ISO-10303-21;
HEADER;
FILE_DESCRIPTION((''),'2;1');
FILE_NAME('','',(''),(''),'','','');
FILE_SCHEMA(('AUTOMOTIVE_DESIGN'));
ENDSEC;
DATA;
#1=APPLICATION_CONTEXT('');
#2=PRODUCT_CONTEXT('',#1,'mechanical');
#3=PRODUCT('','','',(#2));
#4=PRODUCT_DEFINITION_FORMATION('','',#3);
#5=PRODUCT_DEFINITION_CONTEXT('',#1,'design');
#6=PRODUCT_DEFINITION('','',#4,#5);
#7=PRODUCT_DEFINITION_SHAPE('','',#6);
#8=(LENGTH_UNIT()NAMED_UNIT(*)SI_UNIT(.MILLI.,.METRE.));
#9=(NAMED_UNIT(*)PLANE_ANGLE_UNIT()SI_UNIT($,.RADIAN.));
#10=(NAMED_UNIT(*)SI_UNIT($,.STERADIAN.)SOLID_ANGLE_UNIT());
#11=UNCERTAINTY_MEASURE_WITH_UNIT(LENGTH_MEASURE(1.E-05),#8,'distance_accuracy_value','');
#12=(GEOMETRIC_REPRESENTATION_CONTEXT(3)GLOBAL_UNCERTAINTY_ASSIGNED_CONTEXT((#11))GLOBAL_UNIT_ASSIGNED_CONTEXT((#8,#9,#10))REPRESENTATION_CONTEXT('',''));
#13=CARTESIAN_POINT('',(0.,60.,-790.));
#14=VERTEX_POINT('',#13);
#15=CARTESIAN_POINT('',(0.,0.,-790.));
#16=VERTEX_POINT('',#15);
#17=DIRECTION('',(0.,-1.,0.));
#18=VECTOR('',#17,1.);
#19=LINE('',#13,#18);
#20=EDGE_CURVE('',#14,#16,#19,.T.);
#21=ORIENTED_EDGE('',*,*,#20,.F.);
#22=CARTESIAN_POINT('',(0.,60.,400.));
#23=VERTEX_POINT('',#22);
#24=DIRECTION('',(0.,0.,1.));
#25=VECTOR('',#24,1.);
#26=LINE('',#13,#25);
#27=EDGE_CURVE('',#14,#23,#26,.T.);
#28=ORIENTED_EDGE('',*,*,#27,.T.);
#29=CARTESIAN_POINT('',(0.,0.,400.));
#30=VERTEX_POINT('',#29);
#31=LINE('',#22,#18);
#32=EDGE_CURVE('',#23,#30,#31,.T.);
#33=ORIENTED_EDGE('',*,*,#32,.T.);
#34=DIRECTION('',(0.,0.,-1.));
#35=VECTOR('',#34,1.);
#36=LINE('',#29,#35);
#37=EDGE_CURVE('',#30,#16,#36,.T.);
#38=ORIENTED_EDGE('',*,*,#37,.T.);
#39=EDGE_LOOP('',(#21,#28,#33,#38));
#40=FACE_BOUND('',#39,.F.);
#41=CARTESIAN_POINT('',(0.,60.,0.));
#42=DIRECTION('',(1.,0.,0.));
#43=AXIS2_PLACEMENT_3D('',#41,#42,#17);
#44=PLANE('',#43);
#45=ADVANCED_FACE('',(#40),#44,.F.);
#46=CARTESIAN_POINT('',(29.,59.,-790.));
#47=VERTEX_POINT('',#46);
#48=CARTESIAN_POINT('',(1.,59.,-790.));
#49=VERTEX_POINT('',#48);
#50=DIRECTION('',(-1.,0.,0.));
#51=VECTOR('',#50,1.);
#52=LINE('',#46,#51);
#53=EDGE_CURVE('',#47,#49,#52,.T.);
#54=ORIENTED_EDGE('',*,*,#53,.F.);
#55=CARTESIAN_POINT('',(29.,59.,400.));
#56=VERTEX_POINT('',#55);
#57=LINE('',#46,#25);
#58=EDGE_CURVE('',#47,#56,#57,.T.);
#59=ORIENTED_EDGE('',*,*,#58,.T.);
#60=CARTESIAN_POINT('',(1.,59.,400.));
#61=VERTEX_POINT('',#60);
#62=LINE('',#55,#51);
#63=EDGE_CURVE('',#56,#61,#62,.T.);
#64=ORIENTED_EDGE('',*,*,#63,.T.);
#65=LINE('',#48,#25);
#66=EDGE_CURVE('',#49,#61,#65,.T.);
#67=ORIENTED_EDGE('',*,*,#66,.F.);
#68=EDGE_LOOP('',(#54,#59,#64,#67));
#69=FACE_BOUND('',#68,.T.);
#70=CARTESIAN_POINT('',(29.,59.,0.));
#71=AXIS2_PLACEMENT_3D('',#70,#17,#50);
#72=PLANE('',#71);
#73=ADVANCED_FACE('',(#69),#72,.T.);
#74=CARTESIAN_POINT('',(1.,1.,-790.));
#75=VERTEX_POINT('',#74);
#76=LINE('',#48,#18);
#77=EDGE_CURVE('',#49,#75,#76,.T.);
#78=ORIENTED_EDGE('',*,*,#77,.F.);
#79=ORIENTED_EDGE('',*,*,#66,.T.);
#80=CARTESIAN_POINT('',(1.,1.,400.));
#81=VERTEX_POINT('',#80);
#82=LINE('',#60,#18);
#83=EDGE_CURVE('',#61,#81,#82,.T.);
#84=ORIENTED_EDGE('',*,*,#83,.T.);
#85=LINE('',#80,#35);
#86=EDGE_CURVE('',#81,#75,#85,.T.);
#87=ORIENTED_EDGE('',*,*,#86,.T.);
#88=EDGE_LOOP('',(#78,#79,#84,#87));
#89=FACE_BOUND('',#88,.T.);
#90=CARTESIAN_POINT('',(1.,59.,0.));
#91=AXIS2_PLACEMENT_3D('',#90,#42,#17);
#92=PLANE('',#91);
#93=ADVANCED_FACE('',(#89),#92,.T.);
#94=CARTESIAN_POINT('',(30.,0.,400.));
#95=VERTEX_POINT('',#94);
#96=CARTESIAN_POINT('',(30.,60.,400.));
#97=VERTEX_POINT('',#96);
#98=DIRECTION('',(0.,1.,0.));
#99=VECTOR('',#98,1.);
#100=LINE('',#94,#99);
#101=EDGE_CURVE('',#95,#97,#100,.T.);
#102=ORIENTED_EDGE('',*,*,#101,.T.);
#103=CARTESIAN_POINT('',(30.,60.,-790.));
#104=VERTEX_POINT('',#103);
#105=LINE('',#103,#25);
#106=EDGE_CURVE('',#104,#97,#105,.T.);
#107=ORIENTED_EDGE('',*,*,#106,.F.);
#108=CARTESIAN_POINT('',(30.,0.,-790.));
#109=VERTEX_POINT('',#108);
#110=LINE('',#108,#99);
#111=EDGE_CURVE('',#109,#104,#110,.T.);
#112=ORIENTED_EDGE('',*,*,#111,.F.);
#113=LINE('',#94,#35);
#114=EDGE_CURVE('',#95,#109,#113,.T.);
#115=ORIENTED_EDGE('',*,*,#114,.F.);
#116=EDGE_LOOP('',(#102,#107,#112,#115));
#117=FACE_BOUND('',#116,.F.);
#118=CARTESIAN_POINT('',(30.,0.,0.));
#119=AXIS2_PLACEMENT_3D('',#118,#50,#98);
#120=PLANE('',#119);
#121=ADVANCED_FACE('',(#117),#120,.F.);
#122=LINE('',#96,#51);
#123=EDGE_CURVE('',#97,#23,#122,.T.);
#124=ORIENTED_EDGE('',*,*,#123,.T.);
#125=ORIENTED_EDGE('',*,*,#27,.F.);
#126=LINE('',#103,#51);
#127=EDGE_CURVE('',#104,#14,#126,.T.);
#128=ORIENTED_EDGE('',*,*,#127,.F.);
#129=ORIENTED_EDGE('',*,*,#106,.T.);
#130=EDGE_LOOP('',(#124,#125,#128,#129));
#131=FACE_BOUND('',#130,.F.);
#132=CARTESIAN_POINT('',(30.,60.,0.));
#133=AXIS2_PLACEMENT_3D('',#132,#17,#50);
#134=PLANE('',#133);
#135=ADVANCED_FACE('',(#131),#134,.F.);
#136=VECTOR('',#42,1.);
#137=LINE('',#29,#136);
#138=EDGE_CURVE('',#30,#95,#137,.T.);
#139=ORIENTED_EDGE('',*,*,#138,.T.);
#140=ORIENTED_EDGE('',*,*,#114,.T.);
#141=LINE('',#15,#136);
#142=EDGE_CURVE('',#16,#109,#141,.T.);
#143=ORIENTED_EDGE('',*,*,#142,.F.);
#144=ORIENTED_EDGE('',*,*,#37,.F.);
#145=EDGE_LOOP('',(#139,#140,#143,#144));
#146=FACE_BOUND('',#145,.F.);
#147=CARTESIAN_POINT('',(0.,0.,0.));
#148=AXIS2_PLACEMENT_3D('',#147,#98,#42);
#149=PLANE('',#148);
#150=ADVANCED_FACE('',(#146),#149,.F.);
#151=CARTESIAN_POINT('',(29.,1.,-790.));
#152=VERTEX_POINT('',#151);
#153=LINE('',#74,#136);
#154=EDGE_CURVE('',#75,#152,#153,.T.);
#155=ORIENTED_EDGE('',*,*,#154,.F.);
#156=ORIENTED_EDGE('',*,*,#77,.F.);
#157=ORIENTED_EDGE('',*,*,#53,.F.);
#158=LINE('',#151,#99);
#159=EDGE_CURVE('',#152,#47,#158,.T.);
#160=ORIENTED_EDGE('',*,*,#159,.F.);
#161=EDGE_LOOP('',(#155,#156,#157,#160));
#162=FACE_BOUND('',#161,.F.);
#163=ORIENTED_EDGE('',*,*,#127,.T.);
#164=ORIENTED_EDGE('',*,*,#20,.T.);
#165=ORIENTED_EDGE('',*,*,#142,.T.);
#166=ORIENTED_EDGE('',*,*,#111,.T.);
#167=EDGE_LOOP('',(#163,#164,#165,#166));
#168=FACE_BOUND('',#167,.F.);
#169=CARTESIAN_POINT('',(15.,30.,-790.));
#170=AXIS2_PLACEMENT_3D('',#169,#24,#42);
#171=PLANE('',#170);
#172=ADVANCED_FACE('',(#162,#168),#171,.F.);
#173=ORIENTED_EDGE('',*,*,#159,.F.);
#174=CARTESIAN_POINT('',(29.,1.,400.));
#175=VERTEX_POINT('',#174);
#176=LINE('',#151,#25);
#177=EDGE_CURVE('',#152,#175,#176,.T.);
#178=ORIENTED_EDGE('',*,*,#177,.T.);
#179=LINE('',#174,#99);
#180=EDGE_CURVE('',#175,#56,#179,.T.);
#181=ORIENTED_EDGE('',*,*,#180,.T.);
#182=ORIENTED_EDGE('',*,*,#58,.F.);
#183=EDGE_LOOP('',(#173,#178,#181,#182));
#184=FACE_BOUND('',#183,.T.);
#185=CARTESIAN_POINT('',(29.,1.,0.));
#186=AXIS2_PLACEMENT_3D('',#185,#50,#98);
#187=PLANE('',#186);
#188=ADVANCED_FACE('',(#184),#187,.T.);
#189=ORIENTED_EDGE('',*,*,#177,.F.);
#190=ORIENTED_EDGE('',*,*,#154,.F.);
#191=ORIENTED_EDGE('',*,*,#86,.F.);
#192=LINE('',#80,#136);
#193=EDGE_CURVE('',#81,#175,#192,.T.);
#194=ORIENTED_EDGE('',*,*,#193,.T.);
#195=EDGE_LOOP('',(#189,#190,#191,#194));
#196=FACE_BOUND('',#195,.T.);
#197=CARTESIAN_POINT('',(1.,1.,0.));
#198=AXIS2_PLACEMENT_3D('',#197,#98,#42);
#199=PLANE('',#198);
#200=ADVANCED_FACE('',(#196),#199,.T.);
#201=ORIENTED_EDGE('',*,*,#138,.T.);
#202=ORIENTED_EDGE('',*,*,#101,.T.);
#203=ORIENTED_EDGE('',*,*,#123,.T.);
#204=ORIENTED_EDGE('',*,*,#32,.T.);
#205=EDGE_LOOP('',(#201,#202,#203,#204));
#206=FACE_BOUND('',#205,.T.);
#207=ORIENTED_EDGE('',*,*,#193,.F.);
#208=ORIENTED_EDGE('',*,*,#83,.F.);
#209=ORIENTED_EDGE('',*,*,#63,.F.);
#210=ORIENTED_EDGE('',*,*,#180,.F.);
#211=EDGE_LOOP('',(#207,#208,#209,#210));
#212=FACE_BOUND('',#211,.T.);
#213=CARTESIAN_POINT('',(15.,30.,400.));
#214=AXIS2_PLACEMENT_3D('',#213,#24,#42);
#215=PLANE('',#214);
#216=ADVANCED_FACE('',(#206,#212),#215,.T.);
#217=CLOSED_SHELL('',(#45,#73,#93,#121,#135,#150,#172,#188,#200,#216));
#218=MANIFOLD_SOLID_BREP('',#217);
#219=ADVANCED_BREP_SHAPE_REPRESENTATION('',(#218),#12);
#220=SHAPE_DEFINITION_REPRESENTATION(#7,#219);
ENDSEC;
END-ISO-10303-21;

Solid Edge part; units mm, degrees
sketch "Sketch1" plane through (0, 0, 0) normal (0, 0, 1) x (1, 0, 0)
  line L0 (29, 1) -> (29, 59)
  line L1 (29, 59) -> (1, 59)
  line L2 (1, 59) -> (1, 1)
  line L3 (1, 1) -> (29, 1)
  line L4 (30, 0) -> (30, 60)
  line L5 (30, 60) -> (0, 60)
  line L6 (0, 60) -> (0, 0)
  line L7 (0, 0) -> (30, 0)
extrude "Protrusion1" add sketch "Sketch1" along normal blind 400
sketch "Sketch2" plane through (0, 0, 0) normal (0, 0, 1) x (1, 0, 0)
  line L0 (29, 1) -> (29, 59)
  line L1 (29, 59) -> (1, 59)
  line L2 (1, 59) -> (1, 1)
  line L3 (1, 1) -> (29, 1)
  line L4 (30, 0) -> (30, 60)
  line L5 (30, 60) -> (0, 60)
  line L6 (0, 60) -> (0, 0)
  line L7 (0, 0) -> (30, 0)
extrude "ExtrudedProtrusion_7" add sketch "Sketch2" against normal blind 790
properties material "Galvanized steel"
